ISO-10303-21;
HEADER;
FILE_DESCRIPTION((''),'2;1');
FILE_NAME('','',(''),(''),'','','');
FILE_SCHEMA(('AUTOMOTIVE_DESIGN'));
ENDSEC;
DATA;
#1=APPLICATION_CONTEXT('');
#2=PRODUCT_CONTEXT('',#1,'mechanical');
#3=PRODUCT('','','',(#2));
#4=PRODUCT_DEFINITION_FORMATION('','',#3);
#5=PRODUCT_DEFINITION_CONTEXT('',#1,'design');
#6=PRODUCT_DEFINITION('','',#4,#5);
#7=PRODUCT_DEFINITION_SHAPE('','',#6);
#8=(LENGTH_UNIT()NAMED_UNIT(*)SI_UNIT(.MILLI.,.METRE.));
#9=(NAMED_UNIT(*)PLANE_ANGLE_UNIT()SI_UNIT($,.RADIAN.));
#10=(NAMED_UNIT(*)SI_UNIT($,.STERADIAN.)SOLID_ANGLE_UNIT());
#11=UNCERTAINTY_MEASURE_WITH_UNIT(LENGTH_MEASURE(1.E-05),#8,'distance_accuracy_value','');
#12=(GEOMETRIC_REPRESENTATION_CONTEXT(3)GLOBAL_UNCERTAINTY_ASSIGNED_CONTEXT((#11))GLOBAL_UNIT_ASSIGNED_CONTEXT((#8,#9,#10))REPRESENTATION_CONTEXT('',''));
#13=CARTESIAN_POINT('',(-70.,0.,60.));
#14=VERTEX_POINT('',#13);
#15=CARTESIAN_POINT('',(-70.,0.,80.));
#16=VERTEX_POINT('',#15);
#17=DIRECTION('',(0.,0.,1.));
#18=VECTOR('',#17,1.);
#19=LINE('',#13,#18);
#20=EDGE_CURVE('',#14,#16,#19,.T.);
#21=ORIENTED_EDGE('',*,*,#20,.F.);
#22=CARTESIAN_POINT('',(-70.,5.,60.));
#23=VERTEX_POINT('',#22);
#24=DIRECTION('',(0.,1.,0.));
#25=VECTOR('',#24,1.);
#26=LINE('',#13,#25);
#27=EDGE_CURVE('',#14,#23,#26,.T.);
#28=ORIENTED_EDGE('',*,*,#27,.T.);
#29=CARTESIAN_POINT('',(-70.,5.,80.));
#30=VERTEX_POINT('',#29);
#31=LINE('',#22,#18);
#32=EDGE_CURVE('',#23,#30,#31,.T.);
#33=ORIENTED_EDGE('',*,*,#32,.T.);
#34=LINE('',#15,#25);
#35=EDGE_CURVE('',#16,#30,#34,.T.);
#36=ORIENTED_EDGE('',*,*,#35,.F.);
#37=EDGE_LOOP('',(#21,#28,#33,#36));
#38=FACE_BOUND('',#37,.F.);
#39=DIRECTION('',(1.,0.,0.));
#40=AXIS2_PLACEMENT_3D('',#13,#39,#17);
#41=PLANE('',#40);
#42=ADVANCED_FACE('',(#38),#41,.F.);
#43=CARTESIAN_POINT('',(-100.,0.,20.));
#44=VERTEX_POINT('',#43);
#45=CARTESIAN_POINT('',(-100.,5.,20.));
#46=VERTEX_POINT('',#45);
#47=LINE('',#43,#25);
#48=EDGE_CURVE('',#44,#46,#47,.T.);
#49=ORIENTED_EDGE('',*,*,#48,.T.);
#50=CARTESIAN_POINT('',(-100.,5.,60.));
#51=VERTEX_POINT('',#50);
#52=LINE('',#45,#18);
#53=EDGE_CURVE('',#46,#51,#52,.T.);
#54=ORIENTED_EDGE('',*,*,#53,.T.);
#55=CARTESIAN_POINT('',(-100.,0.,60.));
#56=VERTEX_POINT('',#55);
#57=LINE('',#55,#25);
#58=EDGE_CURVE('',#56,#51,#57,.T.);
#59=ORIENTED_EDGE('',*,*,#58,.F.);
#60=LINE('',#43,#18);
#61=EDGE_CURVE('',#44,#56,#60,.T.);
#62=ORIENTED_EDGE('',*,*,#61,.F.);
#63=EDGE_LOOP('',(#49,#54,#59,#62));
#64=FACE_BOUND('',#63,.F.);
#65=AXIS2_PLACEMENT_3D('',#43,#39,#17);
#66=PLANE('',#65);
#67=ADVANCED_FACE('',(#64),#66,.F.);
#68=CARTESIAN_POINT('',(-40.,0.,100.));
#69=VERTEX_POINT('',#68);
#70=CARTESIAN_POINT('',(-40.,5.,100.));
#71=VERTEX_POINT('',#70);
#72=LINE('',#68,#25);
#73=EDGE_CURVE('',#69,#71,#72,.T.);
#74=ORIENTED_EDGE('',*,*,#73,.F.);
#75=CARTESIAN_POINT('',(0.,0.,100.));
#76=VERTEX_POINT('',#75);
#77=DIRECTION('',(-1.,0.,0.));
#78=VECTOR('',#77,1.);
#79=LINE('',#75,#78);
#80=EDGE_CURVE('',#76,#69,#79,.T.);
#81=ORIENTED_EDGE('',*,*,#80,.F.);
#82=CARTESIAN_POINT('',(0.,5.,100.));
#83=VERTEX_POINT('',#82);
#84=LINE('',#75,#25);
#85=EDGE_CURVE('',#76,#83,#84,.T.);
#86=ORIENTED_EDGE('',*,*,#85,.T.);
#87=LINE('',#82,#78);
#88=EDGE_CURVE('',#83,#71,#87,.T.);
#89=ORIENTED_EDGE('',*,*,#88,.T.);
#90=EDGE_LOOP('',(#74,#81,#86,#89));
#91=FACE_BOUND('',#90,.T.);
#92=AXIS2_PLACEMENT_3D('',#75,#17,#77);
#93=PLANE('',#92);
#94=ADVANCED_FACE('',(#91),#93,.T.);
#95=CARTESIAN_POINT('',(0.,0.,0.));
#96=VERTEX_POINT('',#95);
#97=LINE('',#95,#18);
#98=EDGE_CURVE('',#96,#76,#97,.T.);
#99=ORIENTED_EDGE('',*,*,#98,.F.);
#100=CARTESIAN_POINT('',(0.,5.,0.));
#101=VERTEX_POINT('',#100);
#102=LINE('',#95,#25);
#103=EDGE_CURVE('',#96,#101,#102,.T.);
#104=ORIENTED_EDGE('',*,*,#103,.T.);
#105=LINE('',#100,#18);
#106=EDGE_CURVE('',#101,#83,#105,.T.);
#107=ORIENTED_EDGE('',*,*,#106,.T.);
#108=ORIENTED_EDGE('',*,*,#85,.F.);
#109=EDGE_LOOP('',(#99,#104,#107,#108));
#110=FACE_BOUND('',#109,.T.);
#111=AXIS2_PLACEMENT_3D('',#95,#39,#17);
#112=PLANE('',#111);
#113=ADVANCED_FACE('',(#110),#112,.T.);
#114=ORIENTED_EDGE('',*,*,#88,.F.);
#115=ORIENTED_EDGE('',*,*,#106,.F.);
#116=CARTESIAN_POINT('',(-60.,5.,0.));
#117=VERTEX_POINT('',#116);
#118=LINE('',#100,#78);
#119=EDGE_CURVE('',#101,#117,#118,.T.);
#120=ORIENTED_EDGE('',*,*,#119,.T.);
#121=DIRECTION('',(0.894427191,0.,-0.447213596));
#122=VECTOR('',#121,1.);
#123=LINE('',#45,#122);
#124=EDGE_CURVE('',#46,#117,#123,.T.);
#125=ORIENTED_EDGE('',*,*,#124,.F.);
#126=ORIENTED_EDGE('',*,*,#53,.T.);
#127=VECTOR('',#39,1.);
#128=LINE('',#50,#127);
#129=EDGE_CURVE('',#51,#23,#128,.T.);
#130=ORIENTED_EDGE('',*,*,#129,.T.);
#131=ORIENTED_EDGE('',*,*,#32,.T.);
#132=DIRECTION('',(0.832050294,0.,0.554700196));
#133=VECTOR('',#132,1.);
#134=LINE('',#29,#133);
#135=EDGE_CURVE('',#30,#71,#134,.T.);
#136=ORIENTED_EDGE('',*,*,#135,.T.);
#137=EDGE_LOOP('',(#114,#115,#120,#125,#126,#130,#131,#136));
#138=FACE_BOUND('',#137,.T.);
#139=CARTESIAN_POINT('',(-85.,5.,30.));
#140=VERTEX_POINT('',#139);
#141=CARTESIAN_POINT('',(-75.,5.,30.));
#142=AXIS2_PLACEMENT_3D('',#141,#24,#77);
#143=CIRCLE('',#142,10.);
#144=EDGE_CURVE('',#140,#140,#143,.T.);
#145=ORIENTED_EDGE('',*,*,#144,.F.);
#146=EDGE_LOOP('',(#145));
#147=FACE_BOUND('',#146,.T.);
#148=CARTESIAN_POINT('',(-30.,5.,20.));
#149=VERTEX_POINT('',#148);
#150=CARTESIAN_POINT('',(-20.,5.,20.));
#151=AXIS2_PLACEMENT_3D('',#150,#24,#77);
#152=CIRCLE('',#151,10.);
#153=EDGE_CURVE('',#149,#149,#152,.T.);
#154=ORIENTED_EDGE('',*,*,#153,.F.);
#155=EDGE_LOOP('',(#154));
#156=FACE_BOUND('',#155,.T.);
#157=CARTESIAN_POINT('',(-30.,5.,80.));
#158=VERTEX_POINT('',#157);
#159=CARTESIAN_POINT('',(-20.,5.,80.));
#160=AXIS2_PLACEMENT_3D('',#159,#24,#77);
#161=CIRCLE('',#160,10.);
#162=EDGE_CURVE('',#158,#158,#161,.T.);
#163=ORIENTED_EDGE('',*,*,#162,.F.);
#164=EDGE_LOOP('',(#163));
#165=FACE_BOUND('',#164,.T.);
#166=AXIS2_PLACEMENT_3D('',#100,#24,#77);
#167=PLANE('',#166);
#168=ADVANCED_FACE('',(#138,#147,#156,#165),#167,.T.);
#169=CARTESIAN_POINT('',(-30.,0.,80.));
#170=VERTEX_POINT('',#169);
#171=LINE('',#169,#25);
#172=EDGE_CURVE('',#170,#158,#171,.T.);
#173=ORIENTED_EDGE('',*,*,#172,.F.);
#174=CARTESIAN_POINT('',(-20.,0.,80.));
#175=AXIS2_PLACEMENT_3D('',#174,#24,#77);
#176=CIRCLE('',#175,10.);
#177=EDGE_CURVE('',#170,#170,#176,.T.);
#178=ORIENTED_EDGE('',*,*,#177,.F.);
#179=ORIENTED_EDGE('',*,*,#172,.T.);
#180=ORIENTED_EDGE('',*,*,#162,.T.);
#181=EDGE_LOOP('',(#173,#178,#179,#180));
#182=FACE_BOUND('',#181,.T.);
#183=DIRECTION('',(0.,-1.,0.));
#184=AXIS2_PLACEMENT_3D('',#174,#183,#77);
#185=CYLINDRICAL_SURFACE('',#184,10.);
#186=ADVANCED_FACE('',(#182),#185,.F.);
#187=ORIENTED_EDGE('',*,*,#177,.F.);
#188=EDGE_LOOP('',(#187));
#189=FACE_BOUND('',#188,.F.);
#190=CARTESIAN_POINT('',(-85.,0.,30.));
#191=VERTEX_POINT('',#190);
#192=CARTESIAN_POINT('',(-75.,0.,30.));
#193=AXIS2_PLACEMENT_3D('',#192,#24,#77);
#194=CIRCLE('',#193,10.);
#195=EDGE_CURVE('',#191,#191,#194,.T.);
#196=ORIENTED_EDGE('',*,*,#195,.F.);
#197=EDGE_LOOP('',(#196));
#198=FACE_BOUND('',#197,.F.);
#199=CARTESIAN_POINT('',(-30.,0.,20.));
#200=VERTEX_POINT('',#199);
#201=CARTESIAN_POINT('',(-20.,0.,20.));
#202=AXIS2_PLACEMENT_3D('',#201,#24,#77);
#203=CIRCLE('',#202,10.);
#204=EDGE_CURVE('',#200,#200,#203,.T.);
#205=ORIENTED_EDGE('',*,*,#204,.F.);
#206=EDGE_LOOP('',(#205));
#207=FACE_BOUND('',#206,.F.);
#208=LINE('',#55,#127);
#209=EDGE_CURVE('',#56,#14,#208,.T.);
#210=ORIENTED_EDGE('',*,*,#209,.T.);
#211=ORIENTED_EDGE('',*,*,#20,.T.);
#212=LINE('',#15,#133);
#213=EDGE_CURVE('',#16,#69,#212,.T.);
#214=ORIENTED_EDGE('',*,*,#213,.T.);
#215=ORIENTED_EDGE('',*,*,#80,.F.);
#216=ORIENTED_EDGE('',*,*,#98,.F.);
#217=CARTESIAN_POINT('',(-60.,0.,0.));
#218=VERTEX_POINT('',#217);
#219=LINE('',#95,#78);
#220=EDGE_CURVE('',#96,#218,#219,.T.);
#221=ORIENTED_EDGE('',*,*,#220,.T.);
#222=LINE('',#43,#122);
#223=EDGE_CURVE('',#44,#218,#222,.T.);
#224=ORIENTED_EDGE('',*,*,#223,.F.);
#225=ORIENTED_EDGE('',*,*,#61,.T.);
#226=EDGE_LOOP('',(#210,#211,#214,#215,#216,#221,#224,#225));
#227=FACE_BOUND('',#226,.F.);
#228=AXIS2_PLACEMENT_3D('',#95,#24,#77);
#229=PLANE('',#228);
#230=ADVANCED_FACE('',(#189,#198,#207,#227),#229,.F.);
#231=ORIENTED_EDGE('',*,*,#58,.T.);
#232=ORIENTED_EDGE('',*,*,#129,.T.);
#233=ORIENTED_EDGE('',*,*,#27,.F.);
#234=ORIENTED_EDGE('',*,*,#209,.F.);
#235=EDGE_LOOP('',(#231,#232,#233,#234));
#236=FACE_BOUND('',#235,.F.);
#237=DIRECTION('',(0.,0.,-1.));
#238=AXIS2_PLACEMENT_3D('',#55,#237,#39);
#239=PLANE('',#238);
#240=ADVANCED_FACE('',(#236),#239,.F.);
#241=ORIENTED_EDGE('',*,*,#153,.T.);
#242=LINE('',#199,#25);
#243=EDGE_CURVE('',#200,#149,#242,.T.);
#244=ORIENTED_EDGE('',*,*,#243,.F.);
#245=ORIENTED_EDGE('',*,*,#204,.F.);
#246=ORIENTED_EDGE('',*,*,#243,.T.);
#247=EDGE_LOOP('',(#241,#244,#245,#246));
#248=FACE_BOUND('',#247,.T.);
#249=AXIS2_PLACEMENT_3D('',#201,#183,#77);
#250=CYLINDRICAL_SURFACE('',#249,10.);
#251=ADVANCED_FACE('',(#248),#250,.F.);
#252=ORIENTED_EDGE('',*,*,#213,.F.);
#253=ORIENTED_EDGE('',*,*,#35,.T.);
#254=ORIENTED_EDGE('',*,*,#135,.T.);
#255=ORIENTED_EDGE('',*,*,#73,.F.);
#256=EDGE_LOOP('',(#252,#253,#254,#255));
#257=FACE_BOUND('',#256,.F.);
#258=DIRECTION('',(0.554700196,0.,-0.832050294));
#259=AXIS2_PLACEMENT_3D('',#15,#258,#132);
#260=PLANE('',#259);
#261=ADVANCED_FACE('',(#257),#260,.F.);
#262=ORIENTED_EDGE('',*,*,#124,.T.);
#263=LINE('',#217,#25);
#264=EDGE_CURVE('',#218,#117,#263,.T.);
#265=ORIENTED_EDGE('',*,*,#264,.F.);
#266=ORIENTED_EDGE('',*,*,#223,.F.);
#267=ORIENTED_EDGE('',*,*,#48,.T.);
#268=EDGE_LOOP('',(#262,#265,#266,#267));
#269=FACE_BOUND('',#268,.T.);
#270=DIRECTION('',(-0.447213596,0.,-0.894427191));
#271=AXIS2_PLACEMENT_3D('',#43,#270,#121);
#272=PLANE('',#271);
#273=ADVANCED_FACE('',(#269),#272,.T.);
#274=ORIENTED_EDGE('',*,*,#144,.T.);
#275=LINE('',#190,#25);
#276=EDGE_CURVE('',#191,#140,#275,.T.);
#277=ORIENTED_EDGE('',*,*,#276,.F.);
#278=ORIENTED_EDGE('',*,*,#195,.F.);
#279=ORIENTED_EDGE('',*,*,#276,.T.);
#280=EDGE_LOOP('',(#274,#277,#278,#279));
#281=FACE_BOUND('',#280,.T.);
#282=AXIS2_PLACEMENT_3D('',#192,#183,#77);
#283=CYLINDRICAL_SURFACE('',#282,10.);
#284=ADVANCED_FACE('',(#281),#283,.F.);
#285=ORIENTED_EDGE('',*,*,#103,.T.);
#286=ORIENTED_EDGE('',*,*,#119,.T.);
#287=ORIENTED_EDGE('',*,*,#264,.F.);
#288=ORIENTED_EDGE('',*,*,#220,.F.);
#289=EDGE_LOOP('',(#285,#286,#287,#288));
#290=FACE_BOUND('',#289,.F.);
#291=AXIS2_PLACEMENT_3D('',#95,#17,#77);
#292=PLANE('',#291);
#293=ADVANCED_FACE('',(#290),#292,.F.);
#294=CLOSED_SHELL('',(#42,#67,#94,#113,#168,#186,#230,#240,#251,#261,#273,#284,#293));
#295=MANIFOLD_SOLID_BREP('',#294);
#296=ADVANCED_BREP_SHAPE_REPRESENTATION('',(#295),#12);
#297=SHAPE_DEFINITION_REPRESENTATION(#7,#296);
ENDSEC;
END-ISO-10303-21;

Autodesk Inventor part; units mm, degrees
ref_plane "YZ Plane" through (0, 0, 0) normal (1, 0, 0) x (0, 1, 0)
ref_plane "XZ Plane" through (0, 0, 0) normal (0, 1, 0) x (-1, 0, 0)
ref_plane "XY Plane" through (0, 0, 0) normal (0, 0, 1) x (1, 0, 0)
sketch "Sketch1" plane through (0, 0, 0) normal (0, 1, 0) x (-1, 0, 0)
  line L0 (0, 0) -> (0, 100)
  line L1 (0, 100) -> (40, 100)
  line L2 (0, 0) -> (60, 0)
  line L3 (100, 20) -> (60, 0)
  line L4 (100, 20) -> (100, 60)
  circle A0 centre (20, 20) radius 10
  line L5 (100, 60) -> (70, 60)
  line L6 (70, 60) -> (70, 80)
  line L7 (70, 80) -> (40, 100)
  circle A1 centre (75, 30) radius 10
  circle A2 centre (20, 80) radius 10
  dimension "d0" = 100
  dimension "d1" = 40
extrude "Extrusion1" add sketch "Sketch1" along normal blind 5
properties part number "P1-7"
